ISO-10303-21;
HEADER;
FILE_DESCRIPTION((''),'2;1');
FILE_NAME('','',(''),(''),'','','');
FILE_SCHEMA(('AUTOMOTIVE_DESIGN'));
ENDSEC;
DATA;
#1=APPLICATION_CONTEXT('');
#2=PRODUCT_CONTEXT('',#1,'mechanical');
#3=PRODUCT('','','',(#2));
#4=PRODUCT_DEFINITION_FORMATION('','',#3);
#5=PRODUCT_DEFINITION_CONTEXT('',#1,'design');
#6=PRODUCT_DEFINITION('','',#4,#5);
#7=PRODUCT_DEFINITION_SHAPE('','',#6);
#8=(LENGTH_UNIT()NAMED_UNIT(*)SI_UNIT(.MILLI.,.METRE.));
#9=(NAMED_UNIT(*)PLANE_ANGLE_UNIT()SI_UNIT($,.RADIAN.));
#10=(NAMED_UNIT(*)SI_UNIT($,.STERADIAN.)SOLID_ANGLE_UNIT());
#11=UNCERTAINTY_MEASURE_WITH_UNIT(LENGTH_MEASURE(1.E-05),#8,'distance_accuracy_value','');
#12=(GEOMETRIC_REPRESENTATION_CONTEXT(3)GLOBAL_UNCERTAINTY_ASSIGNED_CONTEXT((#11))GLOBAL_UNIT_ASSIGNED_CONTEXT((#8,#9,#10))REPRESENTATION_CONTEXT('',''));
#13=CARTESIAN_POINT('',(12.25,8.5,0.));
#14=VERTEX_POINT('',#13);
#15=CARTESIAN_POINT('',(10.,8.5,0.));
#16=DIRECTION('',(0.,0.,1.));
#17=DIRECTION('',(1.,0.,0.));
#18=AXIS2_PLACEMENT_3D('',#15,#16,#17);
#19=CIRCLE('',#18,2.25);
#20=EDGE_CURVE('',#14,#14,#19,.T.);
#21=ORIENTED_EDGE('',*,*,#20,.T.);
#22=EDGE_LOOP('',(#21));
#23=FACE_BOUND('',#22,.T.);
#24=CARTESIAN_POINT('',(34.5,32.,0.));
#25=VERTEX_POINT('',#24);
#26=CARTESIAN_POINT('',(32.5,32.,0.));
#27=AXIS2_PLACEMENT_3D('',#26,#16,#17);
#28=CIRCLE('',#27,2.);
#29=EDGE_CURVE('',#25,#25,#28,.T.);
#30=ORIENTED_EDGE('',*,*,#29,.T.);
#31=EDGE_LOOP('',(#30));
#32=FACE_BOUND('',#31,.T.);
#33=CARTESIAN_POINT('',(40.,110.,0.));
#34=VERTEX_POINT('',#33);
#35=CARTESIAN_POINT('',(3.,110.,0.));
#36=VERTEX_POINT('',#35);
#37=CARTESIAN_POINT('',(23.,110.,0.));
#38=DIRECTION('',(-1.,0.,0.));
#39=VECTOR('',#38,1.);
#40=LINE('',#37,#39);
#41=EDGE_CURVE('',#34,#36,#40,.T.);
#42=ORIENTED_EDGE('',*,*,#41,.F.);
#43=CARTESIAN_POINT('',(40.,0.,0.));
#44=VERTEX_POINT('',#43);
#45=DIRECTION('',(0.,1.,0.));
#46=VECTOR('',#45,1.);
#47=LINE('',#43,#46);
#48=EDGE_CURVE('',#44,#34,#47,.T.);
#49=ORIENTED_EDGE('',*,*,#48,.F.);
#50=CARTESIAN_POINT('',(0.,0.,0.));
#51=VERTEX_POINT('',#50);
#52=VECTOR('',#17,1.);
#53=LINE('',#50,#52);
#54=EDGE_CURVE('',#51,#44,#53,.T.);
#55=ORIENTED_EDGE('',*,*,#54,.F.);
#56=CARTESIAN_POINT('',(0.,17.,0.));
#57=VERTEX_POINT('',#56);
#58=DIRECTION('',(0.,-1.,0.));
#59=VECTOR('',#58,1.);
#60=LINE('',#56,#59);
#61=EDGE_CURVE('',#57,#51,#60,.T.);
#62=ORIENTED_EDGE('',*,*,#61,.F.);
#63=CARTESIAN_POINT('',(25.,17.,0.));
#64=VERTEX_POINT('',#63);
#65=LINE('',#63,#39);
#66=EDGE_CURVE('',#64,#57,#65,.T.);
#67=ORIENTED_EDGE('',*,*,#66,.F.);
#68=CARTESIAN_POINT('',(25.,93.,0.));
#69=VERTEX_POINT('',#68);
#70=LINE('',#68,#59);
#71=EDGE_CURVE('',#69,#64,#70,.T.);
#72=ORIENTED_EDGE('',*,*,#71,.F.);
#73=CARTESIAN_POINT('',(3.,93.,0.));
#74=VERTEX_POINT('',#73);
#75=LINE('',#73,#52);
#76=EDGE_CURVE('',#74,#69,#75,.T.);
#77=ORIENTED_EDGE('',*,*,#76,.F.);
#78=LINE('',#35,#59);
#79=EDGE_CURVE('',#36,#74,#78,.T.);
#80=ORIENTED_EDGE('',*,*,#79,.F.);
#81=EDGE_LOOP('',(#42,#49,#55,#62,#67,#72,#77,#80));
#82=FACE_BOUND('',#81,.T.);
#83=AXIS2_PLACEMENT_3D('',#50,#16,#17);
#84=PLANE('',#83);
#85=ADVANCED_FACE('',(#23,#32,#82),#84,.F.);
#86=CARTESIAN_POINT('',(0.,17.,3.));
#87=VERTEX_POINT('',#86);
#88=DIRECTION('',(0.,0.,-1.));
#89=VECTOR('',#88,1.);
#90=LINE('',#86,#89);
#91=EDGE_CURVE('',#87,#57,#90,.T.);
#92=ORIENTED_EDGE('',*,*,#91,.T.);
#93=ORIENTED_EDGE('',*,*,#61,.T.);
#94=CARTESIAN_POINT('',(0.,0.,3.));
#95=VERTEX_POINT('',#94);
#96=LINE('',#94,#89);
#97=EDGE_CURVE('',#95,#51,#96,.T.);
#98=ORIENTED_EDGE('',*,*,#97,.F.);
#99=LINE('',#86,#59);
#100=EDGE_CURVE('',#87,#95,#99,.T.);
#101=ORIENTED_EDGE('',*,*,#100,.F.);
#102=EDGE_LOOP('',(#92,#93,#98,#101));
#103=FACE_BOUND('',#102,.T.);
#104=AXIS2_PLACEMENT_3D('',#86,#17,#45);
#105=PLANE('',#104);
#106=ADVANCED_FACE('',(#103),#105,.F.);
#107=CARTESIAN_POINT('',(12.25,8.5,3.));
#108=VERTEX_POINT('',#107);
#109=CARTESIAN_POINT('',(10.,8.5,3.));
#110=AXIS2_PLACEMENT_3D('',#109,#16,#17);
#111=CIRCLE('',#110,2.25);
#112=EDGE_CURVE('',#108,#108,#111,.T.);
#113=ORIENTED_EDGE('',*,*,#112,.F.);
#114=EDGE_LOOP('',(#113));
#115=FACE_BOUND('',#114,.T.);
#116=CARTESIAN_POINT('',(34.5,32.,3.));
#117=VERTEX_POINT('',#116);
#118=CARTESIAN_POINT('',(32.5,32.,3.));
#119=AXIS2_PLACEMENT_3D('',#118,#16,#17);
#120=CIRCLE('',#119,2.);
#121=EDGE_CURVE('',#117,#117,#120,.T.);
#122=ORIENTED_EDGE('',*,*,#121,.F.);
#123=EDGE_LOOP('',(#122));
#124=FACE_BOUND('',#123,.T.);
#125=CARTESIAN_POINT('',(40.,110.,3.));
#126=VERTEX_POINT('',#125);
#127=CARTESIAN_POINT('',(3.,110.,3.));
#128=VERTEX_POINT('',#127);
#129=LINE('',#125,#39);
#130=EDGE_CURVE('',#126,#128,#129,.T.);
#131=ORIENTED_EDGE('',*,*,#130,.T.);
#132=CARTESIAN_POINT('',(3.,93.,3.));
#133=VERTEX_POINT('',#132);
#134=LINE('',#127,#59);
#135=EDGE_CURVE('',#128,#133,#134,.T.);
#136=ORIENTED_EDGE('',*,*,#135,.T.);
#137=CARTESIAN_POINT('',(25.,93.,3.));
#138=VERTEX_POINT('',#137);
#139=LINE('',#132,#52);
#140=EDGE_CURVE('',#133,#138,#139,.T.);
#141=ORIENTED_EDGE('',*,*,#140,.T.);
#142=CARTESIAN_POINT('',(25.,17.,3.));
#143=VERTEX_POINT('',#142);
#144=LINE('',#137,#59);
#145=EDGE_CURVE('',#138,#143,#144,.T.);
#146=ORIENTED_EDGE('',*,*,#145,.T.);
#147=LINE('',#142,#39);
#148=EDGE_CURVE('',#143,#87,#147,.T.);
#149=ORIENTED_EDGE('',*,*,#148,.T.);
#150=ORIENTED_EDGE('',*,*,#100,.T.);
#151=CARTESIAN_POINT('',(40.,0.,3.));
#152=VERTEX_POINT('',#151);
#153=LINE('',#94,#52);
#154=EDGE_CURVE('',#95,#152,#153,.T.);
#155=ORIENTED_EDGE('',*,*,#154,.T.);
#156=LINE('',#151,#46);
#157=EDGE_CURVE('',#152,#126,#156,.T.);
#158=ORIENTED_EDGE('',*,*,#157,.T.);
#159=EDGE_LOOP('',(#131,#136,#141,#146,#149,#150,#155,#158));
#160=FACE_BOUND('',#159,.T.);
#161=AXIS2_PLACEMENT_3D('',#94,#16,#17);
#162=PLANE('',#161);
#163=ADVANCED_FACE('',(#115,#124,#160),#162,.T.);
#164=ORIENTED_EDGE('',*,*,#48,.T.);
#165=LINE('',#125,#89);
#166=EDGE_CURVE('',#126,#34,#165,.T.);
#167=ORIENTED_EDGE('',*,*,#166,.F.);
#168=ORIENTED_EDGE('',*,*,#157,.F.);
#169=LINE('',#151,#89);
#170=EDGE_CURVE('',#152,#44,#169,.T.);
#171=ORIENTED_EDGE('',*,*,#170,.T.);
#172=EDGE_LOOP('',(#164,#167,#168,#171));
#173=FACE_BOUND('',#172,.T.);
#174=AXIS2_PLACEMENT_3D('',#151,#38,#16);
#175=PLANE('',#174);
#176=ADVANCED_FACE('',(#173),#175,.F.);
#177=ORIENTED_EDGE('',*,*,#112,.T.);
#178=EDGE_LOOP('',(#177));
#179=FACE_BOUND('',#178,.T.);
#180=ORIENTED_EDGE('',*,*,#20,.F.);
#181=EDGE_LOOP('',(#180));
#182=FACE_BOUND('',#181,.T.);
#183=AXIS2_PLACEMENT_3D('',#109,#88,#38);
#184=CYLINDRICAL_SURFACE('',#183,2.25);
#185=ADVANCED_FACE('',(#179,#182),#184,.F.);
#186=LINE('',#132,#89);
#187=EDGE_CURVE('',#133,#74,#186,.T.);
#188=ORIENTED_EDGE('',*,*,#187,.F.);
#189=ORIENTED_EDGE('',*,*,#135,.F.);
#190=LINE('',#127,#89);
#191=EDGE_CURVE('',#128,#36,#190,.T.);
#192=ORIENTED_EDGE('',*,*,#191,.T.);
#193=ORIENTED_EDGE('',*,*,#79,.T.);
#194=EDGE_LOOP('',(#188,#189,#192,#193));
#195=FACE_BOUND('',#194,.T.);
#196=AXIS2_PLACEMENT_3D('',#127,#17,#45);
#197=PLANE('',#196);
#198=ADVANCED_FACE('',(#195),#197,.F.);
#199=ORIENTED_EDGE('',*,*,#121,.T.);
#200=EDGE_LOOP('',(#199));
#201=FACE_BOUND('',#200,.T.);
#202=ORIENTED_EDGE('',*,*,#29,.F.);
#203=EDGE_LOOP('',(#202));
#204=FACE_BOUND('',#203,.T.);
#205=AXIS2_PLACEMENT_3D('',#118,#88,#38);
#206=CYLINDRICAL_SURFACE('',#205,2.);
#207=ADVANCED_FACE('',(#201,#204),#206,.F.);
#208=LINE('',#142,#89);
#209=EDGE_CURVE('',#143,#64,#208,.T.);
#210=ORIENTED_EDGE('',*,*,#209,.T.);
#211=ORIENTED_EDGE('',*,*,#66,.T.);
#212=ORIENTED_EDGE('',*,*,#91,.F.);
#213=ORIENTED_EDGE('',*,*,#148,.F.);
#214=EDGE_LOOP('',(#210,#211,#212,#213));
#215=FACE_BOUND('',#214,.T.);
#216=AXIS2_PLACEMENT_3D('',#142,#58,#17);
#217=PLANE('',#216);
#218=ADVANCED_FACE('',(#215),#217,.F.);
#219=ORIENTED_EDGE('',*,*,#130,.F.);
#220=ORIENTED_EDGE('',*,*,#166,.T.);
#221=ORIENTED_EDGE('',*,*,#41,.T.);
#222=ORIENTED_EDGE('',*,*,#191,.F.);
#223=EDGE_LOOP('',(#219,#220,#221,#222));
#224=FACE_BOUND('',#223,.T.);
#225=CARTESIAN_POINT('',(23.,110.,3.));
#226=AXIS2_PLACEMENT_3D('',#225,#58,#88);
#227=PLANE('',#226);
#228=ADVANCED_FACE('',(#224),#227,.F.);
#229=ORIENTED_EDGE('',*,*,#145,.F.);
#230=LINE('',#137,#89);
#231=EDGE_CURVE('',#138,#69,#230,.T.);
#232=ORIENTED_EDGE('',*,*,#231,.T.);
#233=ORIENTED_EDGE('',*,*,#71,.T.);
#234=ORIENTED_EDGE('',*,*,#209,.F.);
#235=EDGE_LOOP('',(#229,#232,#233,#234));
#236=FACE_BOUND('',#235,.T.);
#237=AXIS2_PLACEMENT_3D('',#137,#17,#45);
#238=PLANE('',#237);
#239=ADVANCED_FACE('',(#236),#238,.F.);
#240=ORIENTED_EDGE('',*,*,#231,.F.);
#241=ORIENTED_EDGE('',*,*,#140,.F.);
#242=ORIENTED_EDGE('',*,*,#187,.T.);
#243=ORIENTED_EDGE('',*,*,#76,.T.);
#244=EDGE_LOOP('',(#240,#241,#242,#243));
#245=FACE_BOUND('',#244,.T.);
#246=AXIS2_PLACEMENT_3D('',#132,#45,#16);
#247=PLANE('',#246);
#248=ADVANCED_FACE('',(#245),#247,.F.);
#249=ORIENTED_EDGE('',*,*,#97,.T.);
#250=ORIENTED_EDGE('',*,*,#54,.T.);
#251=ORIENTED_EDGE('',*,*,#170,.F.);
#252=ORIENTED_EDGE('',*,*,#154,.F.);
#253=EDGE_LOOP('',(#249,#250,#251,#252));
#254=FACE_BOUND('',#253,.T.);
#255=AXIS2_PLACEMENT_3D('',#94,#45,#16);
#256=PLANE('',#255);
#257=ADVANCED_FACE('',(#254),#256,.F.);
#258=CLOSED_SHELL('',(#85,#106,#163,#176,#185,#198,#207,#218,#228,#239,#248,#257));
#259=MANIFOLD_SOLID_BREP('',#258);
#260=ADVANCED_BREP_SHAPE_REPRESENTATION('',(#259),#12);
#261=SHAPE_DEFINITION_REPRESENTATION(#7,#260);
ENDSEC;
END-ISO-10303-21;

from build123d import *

# Parameters (mm, degrees)
CROQUIS1_R              = 2.25
CROQUIS1_R_2            = 2
SALIENTE_EXTRUIR1_DEPTH = 3


with BuildPart() as part:
    # Croquis1 → Saliente-Extruir1 (new body)
    with BuildSketch(Plane.XY):
        Polygon((0, 0), (40, 0), (40, 110), (23, 110), (3, 110), (3, 93), (25, 93), (25, 17), (0, 17), align=None)
        with Locations((10, 8.5)):
            Circle(CROQUIS1_R, mode=Mode.SUBTRACT)
        with Locations((32.5, 32)):
            Circle(CROQUIS1_R_2, mode=Mode.SUBTRACT)
    extrude(amount=SALIENTE_EXTRUIR1_DEPTH)


solid = part.part
